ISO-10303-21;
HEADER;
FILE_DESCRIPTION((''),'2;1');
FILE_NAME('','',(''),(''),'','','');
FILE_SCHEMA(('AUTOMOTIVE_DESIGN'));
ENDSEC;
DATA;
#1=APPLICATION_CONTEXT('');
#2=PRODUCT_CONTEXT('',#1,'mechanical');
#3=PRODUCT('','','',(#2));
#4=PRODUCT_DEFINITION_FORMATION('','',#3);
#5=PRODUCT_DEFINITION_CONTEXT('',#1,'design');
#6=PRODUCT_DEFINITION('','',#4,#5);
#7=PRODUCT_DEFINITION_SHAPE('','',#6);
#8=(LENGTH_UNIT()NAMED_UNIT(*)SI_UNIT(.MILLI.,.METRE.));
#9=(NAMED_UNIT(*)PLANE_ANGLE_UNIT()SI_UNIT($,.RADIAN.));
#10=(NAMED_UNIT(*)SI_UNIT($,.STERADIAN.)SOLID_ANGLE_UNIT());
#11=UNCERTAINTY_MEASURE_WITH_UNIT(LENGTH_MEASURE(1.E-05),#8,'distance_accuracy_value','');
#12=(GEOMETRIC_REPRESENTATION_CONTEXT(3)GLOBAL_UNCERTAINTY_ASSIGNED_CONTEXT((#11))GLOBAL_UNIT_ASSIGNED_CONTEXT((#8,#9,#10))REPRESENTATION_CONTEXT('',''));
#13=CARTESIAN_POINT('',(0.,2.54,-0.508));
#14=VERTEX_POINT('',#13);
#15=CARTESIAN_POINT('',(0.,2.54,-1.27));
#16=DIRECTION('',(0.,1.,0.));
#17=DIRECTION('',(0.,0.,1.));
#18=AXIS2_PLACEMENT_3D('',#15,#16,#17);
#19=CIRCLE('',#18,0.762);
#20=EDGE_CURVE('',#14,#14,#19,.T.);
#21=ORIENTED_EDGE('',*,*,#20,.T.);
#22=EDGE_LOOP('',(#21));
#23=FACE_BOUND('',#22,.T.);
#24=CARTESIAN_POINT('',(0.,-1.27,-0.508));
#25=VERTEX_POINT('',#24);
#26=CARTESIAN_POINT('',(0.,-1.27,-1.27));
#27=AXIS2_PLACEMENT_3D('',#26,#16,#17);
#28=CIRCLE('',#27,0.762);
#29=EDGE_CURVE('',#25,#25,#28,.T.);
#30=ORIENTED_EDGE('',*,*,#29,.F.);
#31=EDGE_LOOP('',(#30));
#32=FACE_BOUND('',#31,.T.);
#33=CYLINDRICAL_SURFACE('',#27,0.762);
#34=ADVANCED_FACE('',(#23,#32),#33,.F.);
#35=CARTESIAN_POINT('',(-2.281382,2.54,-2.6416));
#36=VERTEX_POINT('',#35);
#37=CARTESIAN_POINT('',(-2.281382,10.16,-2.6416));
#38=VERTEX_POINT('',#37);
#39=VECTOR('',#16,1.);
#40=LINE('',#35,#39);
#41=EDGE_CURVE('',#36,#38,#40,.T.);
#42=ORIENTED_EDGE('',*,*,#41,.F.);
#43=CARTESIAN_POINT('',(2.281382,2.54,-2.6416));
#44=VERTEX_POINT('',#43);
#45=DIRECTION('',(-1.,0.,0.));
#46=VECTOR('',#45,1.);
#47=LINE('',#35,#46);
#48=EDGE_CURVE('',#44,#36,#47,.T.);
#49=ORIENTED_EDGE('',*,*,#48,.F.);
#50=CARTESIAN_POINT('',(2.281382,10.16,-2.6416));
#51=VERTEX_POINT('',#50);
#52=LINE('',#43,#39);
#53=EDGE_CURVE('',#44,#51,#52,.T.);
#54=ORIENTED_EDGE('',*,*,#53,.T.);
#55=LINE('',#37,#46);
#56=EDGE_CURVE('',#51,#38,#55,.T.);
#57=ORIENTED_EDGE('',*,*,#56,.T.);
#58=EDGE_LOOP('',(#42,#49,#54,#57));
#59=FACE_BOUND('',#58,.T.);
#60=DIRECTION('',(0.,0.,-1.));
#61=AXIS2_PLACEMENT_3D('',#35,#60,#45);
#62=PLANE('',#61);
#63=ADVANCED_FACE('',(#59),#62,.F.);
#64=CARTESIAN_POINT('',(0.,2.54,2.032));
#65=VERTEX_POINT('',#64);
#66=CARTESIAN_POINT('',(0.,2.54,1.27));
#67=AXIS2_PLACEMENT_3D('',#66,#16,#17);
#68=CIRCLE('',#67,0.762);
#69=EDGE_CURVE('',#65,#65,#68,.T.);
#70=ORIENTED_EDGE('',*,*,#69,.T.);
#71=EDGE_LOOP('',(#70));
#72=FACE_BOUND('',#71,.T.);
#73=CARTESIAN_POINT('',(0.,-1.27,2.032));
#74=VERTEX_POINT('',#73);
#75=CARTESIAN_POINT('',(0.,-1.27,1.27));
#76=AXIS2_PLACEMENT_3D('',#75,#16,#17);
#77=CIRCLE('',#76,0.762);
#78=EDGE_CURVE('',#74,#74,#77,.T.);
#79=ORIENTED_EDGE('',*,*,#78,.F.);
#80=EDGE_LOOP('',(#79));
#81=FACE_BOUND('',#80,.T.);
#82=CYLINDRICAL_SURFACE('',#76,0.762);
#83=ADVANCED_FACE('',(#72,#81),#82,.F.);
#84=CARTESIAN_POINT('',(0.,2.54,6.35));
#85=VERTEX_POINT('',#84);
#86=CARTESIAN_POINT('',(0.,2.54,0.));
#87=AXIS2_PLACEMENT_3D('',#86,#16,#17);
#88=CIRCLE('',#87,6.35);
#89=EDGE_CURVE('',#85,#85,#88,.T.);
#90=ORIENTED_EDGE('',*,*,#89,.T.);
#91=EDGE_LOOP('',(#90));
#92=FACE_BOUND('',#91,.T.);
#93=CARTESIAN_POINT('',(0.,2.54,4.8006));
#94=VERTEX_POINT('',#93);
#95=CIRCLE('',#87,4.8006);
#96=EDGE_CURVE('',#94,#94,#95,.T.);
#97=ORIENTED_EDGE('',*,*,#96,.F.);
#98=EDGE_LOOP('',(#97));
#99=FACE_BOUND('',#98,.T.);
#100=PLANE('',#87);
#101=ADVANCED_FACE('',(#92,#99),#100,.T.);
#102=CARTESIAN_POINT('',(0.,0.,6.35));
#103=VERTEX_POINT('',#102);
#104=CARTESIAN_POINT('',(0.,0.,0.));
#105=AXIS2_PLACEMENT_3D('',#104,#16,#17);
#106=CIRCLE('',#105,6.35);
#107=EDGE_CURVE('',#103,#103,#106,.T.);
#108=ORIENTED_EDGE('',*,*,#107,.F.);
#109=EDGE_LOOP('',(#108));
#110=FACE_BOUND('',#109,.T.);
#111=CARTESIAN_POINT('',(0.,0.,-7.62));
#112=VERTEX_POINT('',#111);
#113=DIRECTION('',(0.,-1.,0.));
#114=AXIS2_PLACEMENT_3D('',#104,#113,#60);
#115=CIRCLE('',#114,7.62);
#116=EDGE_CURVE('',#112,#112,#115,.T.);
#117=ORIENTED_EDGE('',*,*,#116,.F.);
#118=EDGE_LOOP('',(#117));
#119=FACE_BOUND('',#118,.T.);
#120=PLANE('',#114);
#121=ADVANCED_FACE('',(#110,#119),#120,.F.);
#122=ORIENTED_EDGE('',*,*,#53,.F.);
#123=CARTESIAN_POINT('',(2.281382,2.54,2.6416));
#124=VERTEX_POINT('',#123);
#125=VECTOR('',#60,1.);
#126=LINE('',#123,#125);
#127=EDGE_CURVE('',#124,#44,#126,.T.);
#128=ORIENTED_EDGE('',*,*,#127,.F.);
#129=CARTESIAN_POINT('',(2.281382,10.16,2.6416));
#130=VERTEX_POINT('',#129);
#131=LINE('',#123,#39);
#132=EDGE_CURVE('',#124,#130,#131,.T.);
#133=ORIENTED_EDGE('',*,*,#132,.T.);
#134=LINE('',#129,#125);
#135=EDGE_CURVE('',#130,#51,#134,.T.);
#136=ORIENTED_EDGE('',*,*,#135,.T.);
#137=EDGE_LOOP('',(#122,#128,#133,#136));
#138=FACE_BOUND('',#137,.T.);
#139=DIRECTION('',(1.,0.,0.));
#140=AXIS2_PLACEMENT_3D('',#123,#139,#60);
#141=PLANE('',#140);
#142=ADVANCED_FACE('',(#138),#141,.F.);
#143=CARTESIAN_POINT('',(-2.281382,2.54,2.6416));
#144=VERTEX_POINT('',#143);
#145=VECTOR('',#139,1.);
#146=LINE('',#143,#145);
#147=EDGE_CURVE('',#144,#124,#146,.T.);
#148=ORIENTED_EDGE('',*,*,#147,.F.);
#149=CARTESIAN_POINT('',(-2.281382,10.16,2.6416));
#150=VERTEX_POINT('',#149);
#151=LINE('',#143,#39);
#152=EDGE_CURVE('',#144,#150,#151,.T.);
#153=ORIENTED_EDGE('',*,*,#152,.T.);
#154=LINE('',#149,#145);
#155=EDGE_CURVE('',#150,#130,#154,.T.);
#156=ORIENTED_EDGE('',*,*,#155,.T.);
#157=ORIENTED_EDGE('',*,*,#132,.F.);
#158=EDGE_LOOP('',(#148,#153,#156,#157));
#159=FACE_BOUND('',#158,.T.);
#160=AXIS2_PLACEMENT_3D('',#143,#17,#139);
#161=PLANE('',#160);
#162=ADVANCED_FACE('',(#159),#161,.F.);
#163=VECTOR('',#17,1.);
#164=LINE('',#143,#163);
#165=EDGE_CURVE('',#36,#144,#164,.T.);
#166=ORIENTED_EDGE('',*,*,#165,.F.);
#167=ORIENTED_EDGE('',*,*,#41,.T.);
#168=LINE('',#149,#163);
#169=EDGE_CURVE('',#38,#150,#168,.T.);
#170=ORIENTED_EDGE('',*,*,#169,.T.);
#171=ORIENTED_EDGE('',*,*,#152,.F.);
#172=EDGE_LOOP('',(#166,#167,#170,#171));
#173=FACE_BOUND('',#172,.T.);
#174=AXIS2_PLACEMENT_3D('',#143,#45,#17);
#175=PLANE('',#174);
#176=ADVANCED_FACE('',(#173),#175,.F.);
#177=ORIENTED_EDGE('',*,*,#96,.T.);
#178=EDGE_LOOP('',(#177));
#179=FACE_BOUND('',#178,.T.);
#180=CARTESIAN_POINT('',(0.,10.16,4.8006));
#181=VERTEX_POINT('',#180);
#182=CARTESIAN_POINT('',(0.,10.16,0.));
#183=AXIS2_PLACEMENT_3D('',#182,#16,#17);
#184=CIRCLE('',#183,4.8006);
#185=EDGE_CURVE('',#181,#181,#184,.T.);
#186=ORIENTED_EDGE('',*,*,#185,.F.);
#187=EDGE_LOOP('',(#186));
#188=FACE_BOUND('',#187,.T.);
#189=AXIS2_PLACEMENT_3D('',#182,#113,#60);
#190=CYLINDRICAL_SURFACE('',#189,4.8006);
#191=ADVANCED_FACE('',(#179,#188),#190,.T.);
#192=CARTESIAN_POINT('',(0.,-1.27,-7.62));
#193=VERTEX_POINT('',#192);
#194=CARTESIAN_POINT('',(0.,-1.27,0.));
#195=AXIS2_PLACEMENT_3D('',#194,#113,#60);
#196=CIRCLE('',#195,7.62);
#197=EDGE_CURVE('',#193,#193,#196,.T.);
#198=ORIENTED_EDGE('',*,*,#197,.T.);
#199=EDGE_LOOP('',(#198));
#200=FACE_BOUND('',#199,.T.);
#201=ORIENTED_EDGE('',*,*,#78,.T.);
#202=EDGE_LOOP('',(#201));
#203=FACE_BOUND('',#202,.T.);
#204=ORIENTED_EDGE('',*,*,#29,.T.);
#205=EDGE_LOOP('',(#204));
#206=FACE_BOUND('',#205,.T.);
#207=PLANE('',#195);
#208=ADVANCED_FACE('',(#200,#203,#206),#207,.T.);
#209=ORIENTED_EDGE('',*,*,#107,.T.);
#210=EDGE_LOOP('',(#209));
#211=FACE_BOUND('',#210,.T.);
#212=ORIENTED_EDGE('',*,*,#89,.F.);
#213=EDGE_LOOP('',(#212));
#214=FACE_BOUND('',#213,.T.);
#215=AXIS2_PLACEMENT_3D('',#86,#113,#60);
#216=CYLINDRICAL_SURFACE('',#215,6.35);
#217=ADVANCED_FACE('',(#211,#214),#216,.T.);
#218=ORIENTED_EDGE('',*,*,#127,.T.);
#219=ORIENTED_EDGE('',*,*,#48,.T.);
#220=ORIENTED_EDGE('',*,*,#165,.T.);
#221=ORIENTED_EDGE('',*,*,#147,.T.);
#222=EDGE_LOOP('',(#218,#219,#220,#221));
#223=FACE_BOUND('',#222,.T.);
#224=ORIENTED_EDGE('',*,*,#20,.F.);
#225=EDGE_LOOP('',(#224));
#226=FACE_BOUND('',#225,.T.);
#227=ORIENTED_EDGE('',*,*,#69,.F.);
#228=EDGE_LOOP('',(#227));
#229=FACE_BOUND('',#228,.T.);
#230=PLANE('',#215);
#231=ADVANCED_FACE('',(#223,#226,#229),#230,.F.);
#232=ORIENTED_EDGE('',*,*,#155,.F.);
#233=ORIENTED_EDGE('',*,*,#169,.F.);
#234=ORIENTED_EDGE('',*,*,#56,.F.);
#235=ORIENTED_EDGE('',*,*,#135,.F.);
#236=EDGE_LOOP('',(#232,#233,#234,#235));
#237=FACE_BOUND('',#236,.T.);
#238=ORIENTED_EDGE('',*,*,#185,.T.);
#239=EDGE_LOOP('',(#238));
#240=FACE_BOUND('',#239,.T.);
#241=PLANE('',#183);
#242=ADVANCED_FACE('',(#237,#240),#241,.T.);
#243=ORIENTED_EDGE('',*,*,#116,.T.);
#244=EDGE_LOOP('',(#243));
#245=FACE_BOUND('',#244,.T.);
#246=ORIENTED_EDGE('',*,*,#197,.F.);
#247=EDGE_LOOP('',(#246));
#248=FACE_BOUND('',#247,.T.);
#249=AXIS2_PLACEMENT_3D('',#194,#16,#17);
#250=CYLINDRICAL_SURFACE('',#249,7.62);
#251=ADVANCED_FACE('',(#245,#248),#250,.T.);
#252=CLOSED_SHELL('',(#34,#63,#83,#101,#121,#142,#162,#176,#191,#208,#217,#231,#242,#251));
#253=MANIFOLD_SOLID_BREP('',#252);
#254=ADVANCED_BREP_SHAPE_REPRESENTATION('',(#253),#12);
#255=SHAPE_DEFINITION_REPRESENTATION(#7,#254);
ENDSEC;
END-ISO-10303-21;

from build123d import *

# Parameters (mm, degrees)
SKETCH1_R           = 6.35
BOSS_EXTRUDE1_DEPTH = 2.54
SKETCH2_R           = 4.8006
BOSS_EXTRUDE2_DEPTH = 7.62
SKETCH3_W           = 4.562763636
SKETCH3_H           = 5.2832
CUT_EXTRUDE1_DEPTH  = 7.62
SKETCH6_R           = 7.62
BOSS_EXTRUDE3_DEPTH = 1.27
SKETCH4_R           = 0.762
CUT_EXTRUDE2_DEPTH  = 4.81
SKETCH5_R           = 0.762
CUT_EXTRUDE3_DEPTH  = 4.81


with BuildPart() as part:
    # Sketch1 → Boss-Extrude1 (new body)
    with BuildSketch(Plane(origin=(0, 0, 0), x_dir=(1, 0, 0), z_dir=(0, 1, 0))):
        Circle(SKETCH1_R)
    extrude(amount=BOSS_EXTRUDE1_DEPTH)

    # Sketch2 → Boss-Extrude2 (add)
    with BuildSketch(Plane(origin=(0, 2.54, 0), x_dir=(1, 0, 0), z_dir=(0, 1, 0))):
        Circle(SKETCH2_R)
    extrude(amount=BOSS_EXTRUDE2_DEPTH)

    # Sketch3 → Cut-Extrude1 (cut)
    with BuildSketch(Plane(origin=(0, 10.16, 0), x_dir=(1, 0, 0), z_dir=(0, 1, 0))):
        Rectangle(SKETCH3_W, SKETCH3_H)
    extrude(amount=-CUT_EXTRUDE1_DEPTH, mode=Mode.SUBTRACT)

    # Sketch6 → Boss-Extrude3 (add)
    with BuildSketch(Plane.XZ):
        Circle(SKETCH6_R)
    extrude(amount=BOSS_EXTRUDE3_DEPTH)

    # Sketch4 → Cut-Extrude2 (cut, through all)
    with BuildSketch(Plane(origin=(0, 2.54, 0), x_dir=(1, 0, 0), z_dir=(0, 1, 0))):
        with Locations((0, -1.27)):
            Circle(SKETCH4_R)
    extrude(amount=-CUT_EXTRUDE2_DEPTH, mode=Mode.SUBTRACT)

    # Sketch5 → Cut-Extrude3 (cut, through all)
    with BuildSketch(Plane(origin=(0, 2.54, 0), x_dir=(1, 0, 0), z_dir=(0, 1, 0))):
        with Locations((0, 1.27)):
            Circle(SKETCH5_R)
    extrude(amount=-CUT_EXTRUDE3_DEPTH, mode=Mode.SUBTRACT)


solid = part.part
